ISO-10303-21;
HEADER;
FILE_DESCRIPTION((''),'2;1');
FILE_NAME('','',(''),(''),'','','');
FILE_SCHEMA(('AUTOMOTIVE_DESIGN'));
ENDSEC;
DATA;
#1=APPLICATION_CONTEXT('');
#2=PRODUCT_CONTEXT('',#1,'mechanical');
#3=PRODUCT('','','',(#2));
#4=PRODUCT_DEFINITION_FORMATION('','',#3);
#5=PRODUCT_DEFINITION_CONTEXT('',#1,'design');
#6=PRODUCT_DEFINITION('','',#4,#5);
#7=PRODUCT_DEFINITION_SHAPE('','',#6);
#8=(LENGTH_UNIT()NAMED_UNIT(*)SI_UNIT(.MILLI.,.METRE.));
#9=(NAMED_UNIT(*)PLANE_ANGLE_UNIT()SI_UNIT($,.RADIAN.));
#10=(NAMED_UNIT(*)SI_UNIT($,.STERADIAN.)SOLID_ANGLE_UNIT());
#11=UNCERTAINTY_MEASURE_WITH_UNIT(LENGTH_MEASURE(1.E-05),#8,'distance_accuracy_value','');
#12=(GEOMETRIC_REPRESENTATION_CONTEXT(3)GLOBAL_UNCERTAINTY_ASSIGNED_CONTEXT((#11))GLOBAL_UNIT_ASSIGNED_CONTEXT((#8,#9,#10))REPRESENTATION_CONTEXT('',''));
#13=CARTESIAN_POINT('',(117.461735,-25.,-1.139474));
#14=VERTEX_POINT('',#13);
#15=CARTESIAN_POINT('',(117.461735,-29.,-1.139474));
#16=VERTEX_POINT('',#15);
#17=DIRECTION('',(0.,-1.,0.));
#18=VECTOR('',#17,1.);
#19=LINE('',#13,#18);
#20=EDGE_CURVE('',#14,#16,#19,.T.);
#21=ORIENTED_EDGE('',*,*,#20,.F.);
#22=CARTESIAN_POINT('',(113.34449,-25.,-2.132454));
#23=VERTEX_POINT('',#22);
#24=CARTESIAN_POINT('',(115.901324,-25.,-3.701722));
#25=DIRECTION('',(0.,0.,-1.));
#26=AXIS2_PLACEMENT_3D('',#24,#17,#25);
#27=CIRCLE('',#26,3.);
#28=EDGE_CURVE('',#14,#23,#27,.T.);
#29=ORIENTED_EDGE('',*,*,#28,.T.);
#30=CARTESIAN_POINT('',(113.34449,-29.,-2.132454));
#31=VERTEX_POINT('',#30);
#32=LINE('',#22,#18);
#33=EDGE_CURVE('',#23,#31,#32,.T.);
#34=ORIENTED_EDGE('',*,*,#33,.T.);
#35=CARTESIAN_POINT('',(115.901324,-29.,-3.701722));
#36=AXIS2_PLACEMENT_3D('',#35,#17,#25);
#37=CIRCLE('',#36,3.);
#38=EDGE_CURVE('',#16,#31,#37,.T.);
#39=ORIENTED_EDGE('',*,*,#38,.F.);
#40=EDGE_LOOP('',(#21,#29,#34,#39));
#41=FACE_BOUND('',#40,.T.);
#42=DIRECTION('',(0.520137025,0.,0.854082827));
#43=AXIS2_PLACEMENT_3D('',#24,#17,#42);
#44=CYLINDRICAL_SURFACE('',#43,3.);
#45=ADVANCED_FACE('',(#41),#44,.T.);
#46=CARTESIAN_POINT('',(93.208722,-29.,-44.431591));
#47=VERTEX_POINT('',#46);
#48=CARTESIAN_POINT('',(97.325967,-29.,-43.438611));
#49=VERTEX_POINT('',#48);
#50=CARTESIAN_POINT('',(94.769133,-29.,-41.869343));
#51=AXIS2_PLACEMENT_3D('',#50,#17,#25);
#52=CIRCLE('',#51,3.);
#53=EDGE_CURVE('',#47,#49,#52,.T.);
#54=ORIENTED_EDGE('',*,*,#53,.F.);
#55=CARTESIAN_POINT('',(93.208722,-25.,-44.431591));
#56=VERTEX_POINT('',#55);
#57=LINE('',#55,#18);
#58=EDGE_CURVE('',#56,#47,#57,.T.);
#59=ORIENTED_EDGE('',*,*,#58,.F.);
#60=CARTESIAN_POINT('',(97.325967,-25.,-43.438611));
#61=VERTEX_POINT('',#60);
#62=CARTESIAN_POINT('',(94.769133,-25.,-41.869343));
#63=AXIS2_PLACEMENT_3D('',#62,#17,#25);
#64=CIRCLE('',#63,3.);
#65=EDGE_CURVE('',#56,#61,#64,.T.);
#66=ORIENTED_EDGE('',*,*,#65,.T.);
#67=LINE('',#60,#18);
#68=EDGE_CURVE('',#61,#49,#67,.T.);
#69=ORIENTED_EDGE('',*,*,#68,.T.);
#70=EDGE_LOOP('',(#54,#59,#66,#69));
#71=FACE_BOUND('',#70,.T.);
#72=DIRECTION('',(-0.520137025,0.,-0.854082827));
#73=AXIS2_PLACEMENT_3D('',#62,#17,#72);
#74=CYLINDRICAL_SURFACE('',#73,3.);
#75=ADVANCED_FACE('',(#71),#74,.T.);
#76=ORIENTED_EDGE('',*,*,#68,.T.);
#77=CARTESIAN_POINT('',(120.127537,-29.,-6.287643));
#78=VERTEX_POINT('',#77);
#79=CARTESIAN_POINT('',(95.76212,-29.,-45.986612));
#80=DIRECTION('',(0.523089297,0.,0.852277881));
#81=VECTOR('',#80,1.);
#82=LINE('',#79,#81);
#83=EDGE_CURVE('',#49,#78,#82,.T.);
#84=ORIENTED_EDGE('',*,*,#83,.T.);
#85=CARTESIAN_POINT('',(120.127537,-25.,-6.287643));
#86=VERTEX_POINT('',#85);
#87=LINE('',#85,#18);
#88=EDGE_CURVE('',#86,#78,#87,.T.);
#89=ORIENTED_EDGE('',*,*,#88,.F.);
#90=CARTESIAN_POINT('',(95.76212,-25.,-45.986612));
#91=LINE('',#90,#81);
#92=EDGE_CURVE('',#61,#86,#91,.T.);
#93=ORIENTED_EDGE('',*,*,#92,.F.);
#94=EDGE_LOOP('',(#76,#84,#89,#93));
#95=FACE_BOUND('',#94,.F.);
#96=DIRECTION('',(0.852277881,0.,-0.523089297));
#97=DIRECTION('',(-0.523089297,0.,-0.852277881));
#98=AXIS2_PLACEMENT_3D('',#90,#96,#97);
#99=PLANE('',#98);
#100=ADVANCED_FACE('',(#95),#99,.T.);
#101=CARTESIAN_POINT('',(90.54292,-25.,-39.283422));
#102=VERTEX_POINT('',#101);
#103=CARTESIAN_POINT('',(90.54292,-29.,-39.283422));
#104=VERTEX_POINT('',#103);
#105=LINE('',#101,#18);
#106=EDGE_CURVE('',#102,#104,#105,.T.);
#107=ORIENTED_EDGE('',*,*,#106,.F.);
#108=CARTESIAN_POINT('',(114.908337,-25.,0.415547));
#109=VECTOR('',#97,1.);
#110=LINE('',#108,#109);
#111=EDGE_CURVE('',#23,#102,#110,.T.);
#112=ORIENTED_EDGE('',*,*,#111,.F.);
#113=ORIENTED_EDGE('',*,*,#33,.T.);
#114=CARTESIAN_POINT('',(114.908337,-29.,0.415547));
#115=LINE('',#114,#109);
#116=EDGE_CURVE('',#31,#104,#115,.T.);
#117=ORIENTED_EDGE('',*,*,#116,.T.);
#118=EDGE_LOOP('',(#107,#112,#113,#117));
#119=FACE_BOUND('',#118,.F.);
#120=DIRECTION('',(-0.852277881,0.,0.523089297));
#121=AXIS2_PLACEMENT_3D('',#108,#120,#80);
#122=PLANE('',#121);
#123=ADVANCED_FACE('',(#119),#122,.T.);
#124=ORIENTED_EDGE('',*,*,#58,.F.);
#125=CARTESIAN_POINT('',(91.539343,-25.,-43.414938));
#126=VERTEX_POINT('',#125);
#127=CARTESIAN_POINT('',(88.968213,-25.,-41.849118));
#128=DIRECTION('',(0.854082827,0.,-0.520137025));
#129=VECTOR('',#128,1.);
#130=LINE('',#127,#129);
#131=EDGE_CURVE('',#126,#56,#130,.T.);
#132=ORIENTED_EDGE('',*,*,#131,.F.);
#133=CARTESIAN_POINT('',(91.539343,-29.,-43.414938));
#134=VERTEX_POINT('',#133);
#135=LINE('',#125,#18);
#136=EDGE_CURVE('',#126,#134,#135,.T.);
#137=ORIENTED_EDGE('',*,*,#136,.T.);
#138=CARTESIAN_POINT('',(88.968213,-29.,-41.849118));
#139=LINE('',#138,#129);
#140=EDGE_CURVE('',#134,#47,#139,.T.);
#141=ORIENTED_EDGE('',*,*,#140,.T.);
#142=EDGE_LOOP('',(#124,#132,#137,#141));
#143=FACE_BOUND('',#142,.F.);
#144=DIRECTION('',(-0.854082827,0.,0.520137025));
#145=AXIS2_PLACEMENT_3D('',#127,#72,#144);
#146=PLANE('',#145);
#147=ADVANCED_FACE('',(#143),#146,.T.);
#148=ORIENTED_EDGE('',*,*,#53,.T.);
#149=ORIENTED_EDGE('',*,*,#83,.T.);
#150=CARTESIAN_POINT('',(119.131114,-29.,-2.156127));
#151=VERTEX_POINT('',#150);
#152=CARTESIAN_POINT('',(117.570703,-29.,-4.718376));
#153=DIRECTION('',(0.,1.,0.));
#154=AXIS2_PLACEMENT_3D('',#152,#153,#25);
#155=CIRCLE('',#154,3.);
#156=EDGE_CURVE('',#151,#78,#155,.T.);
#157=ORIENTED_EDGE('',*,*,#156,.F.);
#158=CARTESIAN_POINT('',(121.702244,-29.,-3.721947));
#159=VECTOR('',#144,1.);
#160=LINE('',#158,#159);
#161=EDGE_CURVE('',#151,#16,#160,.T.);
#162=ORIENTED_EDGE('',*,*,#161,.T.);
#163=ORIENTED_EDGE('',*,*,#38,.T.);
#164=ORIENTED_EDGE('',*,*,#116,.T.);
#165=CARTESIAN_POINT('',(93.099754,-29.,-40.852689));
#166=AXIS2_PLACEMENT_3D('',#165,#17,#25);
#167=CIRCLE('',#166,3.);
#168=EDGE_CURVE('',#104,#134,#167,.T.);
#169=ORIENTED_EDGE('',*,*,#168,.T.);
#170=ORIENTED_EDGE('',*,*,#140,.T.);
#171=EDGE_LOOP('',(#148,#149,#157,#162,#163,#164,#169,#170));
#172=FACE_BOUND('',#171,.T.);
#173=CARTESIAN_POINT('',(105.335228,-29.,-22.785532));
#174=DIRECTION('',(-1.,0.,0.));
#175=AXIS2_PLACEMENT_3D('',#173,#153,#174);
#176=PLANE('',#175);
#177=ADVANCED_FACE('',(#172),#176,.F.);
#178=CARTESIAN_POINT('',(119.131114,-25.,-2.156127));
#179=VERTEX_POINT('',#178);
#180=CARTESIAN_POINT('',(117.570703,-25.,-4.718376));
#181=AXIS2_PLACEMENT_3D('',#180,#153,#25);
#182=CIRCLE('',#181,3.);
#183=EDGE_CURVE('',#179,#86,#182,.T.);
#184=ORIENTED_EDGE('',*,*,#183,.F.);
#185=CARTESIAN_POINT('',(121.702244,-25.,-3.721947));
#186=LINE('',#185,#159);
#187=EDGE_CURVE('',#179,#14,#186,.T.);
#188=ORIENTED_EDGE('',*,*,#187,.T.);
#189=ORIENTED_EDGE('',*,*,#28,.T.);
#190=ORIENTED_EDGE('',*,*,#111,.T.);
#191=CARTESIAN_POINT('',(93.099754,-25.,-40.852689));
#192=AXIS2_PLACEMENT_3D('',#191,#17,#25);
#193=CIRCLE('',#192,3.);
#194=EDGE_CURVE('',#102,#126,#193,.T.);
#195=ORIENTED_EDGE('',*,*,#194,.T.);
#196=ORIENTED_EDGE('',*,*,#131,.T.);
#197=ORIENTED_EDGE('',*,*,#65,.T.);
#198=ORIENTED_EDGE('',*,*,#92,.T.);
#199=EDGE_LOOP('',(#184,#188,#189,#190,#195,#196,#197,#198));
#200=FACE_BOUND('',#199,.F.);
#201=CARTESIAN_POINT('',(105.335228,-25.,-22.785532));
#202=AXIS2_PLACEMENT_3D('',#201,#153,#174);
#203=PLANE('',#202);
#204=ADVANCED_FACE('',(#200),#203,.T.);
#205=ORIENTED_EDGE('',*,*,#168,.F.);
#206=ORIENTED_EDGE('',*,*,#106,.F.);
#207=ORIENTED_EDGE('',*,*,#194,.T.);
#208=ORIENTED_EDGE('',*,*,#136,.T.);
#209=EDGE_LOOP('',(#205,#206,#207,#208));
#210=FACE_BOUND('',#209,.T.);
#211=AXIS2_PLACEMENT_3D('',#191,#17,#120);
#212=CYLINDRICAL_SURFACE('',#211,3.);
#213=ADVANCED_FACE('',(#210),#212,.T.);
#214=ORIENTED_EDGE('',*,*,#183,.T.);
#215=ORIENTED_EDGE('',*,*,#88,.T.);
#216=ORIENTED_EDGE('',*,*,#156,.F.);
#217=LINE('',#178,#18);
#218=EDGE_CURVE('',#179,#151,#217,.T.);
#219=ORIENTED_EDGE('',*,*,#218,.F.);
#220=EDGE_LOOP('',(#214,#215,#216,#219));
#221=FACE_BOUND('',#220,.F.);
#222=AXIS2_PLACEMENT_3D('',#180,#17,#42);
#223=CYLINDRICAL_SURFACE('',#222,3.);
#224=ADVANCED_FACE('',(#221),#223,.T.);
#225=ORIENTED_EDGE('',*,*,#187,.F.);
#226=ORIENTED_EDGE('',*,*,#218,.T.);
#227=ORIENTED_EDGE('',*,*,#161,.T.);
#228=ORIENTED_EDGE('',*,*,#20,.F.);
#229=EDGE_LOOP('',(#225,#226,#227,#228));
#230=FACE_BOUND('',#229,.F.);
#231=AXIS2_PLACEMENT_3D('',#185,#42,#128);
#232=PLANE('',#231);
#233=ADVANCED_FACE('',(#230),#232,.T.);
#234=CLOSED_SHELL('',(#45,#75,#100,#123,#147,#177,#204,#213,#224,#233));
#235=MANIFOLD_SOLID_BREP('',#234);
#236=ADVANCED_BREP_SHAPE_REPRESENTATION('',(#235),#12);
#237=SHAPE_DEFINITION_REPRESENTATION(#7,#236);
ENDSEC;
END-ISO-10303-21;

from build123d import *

# Parameters (mm, degrees)
PAD024_DEPTH = 4
FILLET016_R  = 3


with BuildPart() as fillet016:
    # Sketch028 → Pad024 (new body)
    with BuildSketch(Plane.XZ.offset(25)):
        Polygon((-45.702244, -3.721947), (-38.908337, 0.415547), (-12.968213, -41.849118), (-19.76212, -45.986612), align=None)
    extrude(amount=PAD024_DEPTH)

    # Fillet016
    fillet016_edges = [fillet016.edges().sort_by_distance(p)[0] for p in [
        (-45.702244, -27, -3.721947),
        (-38.908337, -27, 0.415547),
        (-12.968213, -27, -41.849118),
        (-19.76212, -27, -45.986612),
    ]]
    fillet(fillet016_edges, radius=FILLET016_R)


with BuildPart() as part_mirroring012:
    # Part__Mirroring012: instance of Fillet016
    add(fillet016.part.mirror(Plane(origin=(0, 0, 0), x_dir=(0, -1, 0), z_dir=(1, 0, 0))))


with BuildPart() as part_mirroring012_1:
    # Part__Mirroring012 placement: moved
    add(part_mirroring012.part.moved(Location((76, 0, 0))))


solid = part_mirroring012_1.part
